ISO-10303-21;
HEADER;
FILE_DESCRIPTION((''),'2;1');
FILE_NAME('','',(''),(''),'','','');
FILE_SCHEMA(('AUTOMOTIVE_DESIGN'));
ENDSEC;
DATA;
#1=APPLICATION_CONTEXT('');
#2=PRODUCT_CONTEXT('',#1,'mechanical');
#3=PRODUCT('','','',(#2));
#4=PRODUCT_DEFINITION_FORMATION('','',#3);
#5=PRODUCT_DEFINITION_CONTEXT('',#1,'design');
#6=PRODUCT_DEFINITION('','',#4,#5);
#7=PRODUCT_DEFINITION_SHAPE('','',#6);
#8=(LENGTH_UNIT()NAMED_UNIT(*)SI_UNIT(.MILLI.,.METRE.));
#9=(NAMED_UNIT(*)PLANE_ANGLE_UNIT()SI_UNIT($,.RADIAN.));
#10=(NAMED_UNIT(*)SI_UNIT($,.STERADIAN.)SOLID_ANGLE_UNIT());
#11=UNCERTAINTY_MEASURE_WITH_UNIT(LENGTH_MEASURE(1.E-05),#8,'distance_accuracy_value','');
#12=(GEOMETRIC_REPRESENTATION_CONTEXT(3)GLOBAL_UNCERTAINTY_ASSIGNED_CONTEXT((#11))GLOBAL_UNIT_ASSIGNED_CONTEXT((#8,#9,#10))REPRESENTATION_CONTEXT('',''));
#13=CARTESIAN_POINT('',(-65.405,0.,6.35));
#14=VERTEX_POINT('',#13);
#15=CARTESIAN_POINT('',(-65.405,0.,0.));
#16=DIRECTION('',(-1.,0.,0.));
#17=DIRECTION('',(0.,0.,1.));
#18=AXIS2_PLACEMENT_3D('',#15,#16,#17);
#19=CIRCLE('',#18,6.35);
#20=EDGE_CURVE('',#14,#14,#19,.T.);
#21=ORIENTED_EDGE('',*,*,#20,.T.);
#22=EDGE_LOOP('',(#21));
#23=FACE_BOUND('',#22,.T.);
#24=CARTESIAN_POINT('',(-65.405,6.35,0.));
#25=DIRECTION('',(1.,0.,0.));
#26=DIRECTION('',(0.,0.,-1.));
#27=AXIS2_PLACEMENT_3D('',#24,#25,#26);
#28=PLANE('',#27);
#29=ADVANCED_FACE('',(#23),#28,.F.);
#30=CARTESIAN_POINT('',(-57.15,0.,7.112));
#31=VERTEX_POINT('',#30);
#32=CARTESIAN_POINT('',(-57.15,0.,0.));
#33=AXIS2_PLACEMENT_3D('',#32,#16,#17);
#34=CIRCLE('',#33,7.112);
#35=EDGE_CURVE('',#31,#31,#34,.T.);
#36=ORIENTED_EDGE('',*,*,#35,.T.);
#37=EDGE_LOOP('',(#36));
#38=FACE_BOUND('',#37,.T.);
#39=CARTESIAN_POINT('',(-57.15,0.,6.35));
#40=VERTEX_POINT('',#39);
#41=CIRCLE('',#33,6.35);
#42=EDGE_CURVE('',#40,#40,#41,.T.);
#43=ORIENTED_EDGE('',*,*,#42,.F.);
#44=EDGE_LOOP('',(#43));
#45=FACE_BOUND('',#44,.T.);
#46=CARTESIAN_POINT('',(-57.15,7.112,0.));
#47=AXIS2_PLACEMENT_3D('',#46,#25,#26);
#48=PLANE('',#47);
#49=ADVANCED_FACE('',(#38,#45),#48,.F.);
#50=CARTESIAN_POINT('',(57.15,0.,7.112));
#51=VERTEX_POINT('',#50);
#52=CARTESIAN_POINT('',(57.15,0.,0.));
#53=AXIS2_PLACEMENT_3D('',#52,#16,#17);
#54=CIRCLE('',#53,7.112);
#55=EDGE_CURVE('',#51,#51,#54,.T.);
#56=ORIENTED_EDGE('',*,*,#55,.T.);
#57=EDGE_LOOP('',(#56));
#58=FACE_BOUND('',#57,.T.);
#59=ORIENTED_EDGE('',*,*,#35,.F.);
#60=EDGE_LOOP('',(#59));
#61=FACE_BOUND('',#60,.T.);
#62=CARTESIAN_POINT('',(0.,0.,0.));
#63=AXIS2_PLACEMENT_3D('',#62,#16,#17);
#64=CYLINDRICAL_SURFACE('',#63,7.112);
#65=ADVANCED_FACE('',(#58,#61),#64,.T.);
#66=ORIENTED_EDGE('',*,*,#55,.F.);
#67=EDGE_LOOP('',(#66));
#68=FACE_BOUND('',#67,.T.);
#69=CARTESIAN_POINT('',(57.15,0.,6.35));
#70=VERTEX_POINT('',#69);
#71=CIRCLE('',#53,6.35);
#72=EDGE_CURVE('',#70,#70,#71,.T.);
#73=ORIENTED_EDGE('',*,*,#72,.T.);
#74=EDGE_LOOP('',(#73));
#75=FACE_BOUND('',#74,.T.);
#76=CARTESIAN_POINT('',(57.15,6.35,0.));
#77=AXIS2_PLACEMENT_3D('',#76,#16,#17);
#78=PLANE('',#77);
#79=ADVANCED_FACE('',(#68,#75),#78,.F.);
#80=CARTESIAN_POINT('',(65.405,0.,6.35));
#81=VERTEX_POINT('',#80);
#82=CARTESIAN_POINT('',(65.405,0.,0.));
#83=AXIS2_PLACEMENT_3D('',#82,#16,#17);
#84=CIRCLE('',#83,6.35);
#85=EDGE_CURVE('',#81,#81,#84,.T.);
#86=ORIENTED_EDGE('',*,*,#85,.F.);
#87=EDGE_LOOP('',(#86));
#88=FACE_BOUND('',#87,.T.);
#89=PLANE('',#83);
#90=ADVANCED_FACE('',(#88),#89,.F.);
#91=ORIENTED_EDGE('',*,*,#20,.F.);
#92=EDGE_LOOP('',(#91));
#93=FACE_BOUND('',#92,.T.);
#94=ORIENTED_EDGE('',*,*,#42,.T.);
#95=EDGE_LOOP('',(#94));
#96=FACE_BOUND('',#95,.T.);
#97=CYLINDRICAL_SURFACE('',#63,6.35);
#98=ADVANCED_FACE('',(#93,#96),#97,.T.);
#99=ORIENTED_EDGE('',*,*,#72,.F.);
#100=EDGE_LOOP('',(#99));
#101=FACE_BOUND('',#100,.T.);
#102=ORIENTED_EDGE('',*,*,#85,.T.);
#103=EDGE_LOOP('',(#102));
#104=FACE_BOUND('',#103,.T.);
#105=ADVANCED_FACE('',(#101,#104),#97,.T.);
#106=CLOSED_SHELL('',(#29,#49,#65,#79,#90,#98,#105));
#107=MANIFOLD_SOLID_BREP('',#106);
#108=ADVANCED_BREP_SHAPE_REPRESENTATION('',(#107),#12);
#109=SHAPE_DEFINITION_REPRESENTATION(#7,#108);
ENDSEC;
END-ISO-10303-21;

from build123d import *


with BuildPart() as part:
    # Sketch1 → Revolve1 (revolve)
    with BuildSketch(Plane.XY, mode=Mode.PRIVATE) as revolve1_sk:
        Polygon((-65.405, 0), (65.405, 0), (65.405, 6.35), (57.15, 6.35), (57.15, 7.112), (-57.15, 7.112), (-57.15, 6.35), (-65.405, 6.35), align=None)
    revolve(revolve1_sk.sketch.rotate(Axis((0, 0, 0), (1, 0, 0)), 90), axis=Axis((0, 0, 0), (1, 0, 0)))


solid = part.part
